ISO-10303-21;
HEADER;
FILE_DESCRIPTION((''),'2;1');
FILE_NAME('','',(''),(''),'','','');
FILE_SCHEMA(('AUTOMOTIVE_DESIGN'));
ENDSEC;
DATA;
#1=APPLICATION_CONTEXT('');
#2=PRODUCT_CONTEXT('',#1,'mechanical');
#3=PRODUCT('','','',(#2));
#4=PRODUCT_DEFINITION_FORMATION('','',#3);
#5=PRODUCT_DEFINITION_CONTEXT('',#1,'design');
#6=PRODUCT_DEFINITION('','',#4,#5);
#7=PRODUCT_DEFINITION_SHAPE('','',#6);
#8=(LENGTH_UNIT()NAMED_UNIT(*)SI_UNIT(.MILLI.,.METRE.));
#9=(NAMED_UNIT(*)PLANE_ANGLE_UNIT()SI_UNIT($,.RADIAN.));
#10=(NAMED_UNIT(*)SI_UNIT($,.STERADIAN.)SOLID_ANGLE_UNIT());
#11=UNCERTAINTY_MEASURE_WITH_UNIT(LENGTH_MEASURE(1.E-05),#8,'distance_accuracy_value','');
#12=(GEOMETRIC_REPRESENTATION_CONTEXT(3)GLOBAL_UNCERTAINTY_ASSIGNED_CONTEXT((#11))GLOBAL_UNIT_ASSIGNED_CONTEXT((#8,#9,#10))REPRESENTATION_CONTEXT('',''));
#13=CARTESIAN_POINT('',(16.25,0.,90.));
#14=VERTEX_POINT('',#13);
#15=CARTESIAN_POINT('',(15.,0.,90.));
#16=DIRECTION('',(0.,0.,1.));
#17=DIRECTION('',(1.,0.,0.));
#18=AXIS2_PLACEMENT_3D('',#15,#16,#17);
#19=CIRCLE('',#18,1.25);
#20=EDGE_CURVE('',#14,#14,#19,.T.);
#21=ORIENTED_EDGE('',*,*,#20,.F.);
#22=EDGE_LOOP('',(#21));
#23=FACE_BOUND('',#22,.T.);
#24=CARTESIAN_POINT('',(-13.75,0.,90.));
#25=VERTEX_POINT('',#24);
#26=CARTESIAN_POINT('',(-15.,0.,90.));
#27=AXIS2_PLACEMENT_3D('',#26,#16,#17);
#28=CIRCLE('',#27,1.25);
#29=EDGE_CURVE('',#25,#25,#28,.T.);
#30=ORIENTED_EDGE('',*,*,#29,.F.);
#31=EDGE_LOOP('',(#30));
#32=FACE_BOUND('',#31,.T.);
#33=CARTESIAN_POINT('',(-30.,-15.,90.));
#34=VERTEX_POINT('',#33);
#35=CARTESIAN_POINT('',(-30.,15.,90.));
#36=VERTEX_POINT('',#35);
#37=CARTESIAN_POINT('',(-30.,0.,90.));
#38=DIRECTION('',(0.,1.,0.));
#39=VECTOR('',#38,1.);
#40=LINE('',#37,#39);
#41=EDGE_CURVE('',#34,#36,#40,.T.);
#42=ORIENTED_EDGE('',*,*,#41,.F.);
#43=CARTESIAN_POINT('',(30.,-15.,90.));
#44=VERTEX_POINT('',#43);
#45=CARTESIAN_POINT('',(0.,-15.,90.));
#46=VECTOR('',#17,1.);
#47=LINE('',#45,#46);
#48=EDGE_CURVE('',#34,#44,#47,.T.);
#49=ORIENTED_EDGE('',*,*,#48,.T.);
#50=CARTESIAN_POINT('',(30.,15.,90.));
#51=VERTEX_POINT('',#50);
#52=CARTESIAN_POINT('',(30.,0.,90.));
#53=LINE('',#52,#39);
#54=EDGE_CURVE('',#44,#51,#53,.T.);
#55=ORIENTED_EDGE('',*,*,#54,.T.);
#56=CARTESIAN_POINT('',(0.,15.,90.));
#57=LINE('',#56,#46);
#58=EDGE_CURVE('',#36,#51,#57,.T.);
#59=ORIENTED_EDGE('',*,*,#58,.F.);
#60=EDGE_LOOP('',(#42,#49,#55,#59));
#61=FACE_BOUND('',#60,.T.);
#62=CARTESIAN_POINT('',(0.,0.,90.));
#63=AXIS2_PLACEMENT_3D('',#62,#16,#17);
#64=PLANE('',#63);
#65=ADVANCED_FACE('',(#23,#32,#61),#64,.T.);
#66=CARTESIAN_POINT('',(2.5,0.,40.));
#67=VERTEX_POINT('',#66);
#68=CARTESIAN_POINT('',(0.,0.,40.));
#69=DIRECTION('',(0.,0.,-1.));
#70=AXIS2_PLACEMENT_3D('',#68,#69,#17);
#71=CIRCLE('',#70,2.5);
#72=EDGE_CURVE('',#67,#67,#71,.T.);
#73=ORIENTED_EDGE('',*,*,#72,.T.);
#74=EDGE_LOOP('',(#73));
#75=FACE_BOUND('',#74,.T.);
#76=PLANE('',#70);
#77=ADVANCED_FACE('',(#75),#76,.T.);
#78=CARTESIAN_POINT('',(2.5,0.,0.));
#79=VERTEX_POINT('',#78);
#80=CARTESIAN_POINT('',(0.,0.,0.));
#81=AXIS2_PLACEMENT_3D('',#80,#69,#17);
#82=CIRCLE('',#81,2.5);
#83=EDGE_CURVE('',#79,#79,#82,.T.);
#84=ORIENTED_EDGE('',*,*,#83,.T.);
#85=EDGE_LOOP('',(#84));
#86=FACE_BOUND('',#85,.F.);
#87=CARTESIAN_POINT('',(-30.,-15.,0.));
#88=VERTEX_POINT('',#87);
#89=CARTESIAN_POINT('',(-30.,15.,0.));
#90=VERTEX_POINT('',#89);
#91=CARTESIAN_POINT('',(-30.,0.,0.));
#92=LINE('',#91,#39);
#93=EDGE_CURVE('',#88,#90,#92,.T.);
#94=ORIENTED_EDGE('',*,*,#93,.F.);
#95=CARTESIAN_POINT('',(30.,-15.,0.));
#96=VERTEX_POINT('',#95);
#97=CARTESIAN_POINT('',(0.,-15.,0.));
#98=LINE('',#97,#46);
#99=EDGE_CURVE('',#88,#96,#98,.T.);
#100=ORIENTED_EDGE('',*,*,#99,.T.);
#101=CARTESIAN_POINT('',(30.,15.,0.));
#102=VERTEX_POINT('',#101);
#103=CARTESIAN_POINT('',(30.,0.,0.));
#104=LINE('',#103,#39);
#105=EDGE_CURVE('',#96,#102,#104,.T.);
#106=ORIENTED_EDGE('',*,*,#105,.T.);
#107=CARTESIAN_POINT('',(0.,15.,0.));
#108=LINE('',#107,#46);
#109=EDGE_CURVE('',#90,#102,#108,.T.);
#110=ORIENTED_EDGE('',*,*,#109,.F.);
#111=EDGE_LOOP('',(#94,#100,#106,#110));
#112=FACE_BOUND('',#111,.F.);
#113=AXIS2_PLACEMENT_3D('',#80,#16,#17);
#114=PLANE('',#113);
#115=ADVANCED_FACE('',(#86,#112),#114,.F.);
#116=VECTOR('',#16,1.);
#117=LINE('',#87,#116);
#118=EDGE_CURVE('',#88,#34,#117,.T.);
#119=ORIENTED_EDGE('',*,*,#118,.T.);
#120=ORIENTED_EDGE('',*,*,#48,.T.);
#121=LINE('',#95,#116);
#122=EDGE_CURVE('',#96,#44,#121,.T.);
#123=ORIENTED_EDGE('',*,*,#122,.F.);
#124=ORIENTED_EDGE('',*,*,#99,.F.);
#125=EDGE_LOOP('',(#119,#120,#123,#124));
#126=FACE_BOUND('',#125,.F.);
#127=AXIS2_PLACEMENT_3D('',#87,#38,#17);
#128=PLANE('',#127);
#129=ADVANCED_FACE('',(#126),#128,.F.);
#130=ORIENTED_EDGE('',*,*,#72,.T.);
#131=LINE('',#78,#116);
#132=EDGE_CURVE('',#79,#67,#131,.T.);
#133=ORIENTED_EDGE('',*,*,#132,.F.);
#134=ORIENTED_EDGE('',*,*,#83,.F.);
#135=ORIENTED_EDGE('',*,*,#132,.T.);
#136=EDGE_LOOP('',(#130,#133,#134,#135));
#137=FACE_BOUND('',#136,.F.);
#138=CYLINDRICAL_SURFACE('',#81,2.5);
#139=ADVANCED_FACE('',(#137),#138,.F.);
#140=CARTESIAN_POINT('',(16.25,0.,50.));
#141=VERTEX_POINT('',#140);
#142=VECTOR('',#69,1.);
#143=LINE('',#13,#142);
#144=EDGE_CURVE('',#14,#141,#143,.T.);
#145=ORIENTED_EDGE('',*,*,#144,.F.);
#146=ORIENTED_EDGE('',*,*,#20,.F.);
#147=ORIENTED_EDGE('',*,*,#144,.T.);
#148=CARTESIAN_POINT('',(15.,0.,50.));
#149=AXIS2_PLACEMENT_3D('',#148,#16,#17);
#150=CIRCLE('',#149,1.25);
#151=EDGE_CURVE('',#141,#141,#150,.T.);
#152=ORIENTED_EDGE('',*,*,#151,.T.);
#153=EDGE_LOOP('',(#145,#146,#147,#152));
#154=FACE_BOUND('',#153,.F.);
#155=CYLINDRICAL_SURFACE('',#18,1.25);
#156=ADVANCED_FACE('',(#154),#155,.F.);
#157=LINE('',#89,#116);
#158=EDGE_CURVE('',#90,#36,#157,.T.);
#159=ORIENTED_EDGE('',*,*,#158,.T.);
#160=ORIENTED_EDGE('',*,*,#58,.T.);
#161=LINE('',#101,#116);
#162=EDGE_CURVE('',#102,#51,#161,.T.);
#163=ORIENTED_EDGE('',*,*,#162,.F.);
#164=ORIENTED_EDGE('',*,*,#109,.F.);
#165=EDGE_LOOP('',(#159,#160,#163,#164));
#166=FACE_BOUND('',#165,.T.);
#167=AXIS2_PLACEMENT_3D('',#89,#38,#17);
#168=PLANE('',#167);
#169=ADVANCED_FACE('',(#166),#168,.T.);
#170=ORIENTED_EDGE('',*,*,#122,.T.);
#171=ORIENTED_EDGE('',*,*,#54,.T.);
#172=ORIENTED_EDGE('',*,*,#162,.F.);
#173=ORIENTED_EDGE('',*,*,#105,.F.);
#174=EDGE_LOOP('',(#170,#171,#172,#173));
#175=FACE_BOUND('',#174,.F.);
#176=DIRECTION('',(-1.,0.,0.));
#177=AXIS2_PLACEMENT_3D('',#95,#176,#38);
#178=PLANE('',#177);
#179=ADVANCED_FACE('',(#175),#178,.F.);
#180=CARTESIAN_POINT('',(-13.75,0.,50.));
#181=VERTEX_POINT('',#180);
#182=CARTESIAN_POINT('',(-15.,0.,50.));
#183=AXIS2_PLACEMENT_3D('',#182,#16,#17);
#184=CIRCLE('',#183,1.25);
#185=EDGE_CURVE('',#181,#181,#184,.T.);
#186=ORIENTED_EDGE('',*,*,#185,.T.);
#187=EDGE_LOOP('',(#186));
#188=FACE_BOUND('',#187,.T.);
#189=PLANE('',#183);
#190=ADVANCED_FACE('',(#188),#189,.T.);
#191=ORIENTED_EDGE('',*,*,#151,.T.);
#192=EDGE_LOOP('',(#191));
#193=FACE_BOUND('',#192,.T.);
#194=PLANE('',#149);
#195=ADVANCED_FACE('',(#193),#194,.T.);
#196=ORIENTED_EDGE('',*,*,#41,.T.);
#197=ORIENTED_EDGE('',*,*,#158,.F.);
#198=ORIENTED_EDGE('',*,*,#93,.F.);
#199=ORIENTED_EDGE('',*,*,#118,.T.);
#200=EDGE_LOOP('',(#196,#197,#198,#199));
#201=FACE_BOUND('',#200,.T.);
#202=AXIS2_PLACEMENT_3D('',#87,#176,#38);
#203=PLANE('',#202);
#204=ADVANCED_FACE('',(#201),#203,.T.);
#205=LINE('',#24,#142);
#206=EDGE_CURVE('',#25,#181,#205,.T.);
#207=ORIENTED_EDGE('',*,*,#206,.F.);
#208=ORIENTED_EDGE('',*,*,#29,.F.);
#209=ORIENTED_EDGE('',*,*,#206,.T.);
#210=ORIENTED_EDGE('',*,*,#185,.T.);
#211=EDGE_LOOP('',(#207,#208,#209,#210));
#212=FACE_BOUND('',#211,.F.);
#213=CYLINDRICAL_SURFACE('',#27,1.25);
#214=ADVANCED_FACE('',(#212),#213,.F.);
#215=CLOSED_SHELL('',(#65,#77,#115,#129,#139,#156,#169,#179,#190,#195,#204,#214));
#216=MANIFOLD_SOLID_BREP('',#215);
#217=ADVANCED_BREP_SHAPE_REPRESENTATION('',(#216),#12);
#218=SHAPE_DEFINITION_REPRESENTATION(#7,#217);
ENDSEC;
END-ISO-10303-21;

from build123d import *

# Parameters (mm, degrees)
F0_W     = 60
F0_H     = 30
F1_DEPTH = 90
F2_R     = 2.5
F3_DEPTH = 40
F4_R     = 1.25
F5_DEPTH = 40


with BuildPart() as f1:
    # F0 (on Top) → F1 (new body)
    with BuildSketch(Plane.XY):
        Rectangle(F0_W, F0_H)
    extrude(amount=F1_DEPTH)

    # F2 (on face) → F3 (cut)
    with BuildSketch(Plane(origin=(0, 0, 0), x_dir=(1, 0, 0), z_dir=(0, 0, -1))):
        Circle(F2_R)
    extrude(amount=-F3_DEPTH, mode=Mode.SUBTRACT)

    # F4 (on face) → F5 (cut)
    with BuildSketch(Plane.XY.offset(90)):
        with Locations((-15, 0)):
            Circle(F4_R)
        with Locations((15, 0)):
            Circle(F4_R)
    extrude(amount=-F5_DEPTH, mode=Mode.SUBTRACT)


solid = f1.part
